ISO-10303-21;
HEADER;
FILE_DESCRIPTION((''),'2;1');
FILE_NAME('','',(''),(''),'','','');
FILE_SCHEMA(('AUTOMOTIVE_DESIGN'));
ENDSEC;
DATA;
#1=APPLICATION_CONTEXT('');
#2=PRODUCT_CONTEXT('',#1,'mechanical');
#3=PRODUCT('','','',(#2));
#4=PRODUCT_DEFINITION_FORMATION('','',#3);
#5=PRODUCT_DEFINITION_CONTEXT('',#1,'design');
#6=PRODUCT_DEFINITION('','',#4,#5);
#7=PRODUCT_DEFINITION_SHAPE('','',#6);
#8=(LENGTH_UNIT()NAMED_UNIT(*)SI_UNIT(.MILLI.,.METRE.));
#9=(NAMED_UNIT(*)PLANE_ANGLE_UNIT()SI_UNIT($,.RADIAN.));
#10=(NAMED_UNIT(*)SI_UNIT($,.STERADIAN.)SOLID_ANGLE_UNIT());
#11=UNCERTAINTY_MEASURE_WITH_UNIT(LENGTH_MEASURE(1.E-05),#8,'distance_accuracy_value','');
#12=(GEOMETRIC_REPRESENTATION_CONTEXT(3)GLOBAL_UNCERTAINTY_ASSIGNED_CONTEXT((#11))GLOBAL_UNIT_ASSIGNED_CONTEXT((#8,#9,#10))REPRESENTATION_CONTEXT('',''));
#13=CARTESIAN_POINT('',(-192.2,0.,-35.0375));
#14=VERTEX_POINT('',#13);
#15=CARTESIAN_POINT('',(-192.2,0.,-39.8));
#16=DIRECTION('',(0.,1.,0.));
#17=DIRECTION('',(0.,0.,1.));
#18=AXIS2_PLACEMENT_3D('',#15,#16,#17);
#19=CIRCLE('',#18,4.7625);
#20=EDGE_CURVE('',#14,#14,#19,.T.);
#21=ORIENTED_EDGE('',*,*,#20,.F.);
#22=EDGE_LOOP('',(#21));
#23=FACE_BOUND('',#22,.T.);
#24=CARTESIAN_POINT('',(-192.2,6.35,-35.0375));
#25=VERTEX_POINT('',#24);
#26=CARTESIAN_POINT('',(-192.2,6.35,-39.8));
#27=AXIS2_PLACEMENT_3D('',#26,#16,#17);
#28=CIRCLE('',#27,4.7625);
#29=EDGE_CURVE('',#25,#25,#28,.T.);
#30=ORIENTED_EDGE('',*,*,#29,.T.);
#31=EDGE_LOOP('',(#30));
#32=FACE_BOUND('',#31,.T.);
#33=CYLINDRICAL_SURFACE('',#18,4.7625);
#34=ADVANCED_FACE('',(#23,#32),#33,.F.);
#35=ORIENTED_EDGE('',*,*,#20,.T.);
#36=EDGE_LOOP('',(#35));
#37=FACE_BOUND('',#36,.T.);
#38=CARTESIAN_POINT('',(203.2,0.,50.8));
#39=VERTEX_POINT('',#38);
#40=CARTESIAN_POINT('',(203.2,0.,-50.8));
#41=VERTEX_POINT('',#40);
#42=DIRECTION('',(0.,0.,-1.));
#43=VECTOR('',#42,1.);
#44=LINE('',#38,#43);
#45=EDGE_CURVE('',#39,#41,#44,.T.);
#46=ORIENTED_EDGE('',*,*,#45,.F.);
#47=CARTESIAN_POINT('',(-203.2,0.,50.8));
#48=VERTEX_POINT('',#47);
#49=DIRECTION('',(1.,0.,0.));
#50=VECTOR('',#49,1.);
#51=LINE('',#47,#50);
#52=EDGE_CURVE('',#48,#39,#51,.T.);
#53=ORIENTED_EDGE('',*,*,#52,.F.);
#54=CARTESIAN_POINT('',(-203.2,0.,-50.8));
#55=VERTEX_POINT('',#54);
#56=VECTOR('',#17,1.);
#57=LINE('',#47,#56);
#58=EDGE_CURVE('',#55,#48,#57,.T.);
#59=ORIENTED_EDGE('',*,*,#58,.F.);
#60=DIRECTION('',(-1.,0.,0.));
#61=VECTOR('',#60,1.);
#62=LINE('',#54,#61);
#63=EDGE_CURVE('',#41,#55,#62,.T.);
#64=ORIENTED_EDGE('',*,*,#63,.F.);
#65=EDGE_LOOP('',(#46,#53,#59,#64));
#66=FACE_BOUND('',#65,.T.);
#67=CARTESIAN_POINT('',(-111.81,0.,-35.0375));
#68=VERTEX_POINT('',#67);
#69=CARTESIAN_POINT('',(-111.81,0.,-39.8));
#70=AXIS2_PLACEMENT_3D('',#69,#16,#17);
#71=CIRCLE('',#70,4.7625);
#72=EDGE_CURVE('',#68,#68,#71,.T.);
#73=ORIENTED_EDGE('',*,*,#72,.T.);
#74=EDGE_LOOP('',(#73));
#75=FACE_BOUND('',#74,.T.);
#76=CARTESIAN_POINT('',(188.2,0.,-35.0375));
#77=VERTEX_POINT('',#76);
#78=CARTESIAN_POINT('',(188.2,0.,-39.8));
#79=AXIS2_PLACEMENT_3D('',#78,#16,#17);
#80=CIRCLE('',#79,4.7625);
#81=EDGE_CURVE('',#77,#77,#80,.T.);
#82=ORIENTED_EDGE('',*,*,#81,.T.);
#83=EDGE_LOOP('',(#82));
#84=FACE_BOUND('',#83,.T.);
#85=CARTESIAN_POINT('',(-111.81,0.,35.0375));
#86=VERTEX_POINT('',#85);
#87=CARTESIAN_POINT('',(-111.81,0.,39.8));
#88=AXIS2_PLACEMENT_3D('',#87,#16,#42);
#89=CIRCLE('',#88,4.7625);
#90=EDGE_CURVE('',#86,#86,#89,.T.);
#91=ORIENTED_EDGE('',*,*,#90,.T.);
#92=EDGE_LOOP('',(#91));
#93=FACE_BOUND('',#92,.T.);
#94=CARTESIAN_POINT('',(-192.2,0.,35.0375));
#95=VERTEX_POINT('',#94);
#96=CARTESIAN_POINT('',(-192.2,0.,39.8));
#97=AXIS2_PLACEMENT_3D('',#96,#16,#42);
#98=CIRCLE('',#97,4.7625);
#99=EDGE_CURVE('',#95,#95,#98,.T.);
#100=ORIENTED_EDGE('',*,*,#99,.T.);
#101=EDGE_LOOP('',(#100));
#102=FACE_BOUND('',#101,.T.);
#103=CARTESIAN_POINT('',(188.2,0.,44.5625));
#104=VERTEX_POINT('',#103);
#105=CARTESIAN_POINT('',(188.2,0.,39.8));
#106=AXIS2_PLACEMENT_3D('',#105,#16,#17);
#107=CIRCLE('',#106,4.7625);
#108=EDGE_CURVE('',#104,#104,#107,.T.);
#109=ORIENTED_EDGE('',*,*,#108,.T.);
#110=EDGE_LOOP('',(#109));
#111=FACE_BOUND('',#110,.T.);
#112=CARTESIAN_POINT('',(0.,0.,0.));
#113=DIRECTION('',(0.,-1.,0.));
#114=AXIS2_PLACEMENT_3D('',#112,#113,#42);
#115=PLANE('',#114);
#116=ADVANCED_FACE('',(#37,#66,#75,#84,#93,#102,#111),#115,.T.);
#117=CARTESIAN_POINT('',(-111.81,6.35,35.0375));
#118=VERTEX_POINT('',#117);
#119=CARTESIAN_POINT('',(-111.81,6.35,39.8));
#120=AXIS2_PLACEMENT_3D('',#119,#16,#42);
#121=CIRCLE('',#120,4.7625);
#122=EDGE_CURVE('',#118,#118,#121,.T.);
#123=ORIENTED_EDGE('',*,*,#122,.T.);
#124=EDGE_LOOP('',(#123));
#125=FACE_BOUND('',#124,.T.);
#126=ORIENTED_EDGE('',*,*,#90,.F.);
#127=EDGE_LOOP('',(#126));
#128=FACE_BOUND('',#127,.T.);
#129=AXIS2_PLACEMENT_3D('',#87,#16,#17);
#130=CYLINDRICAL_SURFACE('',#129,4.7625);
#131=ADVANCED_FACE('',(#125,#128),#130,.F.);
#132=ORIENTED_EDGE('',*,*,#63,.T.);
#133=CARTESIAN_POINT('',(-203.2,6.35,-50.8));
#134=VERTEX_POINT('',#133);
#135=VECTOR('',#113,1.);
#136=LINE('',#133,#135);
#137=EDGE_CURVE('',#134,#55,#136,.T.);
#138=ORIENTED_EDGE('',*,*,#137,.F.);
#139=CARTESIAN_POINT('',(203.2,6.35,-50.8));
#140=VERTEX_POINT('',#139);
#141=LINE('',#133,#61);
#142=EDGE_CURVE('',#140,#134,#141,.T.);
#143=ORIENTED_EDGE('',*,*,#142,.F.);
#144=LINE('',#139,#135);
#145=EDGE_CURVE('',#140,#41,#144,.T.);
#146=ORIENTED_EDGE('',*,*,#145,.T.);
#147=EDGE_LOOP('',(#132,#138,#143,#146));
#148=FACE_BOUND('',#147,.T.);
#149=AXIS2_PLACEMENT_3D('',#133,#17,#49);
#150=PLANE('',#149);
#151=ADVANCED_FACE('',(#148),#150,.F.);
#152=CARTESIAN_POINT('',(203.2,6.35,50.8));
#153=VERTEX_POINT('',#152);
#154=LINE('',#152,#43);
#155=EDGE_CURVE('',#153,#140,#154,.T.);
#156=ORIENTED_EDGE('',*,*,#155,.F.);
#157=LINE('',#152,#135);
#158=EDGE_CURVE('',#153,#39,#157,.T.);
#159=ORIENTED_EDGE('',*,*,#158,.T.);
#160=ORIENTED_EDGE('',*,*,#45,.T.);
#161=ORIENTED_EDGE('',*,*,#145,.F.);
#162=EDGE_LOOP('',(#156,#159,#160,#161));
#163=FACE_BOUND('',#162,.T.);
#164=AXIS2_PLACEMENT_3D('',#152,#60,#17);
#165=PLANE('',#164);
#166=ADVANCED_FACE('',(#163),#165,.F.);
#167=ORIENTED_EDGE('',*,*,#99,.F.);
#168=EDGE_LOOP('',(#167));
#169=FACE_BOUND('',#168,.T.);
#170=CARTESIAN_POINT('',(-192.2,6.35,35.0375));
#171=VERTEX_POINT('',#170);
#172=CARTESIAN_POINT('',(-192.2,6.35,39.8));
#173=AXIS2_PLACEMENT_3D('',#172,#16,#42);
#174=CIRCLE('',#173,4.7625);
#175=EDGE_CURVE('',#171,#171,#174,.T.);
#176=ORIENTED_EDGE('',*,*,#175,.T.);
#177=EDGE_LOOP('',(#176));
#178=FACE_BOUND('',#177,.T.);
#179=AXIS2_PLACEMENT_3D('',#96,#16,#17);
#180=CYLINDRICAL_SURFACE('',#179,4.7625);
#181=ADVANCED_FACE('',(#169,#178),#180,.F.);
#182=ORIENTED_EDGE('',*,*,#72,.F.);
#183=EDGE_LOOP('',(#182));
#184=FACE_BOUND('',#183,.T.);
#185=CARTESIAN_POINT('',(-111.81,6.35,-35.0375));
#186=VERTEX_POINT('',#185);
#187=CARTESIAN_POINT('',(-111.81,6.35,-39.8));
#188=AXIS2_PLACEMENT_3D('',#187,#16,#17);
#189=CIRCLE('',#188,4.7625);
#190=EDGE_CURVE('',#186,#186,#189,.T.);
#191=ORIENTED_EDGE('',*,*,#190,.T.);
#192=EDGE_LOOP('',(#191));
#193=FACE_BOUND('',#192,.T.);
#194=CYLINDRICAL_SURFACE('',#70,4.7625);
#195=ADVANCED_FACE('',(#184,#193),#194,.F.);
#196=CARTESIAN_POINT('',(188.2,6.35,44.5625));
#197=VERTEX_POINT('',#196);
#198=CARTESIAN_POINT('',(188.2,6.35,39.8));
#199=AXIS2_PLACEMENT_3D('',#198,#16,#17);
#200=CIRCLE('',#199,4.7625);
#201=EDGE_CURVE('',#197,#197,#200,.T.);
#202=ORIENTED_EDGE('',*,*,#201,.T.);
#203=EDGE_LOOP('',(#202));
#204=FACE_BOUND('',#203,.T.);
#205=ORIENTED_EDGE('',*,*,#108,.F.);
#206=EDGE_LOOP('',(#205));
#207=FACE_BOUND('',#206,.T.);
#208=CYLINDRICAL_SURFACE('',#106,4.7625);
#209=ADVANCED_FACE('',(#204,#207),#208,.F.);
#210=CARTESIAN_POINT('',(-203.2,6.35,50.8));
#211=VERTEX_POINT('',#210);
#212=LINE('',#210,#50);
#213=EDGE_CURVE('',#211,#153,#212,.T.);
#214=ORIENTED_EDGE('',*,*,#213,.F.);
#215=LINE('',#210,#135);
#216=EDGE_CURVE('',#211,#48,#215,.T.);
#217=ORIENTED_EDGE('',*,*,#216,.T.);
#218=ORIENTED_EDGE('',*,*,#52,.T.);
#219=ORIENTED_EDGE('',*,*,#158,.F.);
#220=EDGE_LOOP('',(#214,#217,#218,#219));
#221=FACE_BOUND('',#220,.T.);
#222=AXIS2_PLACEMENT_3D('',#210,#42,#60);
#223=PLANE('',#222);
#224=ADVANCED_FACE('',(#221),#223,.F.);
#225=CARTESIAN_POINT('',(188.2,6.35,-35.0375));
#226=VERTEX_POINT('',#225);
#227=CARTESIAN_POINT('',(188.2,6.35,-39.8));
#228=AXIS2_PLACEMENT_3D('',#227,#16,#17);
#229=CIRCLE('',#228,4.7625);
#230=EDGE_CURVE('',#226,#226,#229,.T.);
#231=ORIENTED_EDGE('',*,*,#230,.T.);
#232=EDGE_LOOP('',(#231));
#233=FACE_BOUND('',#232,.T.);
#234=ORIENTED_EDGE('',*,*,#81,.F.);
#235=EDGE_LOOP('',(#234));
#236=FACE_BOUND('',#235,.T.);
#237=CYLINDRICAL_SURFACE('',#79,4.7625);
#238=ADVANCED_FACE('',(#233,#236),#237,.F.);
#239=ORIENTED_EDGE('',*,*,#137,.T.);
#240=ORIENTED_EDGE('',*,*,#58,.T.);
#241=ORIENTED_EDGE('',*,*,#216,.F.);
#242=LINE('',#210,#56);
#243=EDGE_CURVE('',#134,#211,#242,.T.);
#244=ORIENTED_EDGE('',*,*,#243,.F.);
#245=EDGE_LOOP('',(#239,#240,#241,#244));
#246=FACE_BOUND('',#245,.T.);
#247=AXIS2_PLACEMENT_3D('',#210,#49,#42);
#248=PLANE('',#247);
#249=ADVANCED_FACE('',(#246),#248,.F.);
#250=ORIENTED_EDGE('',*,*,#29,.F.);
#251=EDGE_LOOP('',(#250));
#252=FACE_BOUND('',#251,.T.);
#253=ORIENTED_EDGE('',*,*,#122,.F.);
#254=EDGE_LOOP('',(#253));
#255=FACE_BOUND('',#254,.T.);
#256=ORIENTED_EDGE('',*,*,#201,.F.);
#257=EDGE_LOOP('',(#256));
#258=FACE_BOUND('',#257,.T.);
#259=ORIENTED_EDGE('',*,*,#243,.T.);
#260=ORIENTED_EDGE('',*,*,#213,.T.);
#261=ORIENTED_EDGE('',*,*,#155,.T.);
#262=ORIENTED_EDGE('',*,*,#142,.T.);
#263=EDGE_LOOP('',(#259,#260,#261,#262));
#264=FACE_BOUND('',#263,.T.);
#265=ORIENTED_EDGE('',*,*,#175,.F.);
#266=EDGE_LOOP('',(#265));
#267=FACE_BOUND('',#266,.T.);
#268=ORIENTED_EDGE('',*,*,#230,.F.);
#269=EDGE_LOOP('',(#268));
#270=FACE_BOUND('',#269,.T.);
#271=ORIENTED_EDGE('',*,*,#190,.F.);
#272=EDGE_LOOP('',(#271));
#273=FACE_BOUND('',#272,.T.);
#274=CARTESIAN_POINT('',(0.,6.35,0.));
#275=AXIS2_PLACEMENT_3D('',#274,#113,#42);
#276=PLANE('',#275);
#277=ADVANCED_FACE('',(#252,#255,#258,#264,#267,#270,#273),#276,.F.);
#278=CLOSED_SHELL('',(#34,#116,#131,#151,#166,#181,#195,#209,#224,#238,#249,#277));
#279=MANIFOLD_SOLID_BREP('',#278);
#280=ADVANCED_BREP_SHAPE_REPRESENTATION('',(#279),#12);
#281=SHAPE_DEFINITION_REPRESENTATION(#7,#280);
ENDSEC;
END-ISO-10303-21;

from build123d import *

# Parameters (mm, degrees)
CROQUIS2_W              = 406.4
CROQUIS2_H              = 101.6
SALIENTE_EXTRUIR1_DEPTH = 6.35
CROQUIS4_R              = 4.7625
CORTAR_EXTRUIR2_DEPTH   = 6.35


with BuildPart() as part:
    # Croquis2 → Saliente-Extruir1 (new body)
    with BuildSketch(Plane(origin=(0, 0, 0), x_dir=(1, 0, 0), z_dir=(0, 1, 0))):
        Rectangle(CROQUIS2_W, CROQUIS2_H)
    extrude(amount=SALIENTE_EXTRUIR1_DEPTH)

    # Croquis4 → Cortar-Extruir2 (cut)
    with BuildSketch(Plane(origin=(0, 6.35, 0), x_dir=(1, 0, 0), z_dir=(0, 1, 0))):
        with Locations((-192.2, 39.8)):
            Circle(CROQUIS4_R)
        with Locations((188.2, 39.8)):
            Circle(CROQUIS4_R)
        with Locations((188.2, -39.8)):
            Circle(CROQUIS4_R)
        with Locations((-192.2, -39.8)):
            Circle(CROQUIS4_R)
        with Locations((-111.81, 39.8)):
            Circle(CROQUIS4_R)
        with Locations((-111.81, -39.8)):
            Circle(CROQUIS4_R)
    extrude(amount=-CORTAR_EXTRUIR2_DEPTH, mode=Mode.SUBTRACT)


solid = part.part
